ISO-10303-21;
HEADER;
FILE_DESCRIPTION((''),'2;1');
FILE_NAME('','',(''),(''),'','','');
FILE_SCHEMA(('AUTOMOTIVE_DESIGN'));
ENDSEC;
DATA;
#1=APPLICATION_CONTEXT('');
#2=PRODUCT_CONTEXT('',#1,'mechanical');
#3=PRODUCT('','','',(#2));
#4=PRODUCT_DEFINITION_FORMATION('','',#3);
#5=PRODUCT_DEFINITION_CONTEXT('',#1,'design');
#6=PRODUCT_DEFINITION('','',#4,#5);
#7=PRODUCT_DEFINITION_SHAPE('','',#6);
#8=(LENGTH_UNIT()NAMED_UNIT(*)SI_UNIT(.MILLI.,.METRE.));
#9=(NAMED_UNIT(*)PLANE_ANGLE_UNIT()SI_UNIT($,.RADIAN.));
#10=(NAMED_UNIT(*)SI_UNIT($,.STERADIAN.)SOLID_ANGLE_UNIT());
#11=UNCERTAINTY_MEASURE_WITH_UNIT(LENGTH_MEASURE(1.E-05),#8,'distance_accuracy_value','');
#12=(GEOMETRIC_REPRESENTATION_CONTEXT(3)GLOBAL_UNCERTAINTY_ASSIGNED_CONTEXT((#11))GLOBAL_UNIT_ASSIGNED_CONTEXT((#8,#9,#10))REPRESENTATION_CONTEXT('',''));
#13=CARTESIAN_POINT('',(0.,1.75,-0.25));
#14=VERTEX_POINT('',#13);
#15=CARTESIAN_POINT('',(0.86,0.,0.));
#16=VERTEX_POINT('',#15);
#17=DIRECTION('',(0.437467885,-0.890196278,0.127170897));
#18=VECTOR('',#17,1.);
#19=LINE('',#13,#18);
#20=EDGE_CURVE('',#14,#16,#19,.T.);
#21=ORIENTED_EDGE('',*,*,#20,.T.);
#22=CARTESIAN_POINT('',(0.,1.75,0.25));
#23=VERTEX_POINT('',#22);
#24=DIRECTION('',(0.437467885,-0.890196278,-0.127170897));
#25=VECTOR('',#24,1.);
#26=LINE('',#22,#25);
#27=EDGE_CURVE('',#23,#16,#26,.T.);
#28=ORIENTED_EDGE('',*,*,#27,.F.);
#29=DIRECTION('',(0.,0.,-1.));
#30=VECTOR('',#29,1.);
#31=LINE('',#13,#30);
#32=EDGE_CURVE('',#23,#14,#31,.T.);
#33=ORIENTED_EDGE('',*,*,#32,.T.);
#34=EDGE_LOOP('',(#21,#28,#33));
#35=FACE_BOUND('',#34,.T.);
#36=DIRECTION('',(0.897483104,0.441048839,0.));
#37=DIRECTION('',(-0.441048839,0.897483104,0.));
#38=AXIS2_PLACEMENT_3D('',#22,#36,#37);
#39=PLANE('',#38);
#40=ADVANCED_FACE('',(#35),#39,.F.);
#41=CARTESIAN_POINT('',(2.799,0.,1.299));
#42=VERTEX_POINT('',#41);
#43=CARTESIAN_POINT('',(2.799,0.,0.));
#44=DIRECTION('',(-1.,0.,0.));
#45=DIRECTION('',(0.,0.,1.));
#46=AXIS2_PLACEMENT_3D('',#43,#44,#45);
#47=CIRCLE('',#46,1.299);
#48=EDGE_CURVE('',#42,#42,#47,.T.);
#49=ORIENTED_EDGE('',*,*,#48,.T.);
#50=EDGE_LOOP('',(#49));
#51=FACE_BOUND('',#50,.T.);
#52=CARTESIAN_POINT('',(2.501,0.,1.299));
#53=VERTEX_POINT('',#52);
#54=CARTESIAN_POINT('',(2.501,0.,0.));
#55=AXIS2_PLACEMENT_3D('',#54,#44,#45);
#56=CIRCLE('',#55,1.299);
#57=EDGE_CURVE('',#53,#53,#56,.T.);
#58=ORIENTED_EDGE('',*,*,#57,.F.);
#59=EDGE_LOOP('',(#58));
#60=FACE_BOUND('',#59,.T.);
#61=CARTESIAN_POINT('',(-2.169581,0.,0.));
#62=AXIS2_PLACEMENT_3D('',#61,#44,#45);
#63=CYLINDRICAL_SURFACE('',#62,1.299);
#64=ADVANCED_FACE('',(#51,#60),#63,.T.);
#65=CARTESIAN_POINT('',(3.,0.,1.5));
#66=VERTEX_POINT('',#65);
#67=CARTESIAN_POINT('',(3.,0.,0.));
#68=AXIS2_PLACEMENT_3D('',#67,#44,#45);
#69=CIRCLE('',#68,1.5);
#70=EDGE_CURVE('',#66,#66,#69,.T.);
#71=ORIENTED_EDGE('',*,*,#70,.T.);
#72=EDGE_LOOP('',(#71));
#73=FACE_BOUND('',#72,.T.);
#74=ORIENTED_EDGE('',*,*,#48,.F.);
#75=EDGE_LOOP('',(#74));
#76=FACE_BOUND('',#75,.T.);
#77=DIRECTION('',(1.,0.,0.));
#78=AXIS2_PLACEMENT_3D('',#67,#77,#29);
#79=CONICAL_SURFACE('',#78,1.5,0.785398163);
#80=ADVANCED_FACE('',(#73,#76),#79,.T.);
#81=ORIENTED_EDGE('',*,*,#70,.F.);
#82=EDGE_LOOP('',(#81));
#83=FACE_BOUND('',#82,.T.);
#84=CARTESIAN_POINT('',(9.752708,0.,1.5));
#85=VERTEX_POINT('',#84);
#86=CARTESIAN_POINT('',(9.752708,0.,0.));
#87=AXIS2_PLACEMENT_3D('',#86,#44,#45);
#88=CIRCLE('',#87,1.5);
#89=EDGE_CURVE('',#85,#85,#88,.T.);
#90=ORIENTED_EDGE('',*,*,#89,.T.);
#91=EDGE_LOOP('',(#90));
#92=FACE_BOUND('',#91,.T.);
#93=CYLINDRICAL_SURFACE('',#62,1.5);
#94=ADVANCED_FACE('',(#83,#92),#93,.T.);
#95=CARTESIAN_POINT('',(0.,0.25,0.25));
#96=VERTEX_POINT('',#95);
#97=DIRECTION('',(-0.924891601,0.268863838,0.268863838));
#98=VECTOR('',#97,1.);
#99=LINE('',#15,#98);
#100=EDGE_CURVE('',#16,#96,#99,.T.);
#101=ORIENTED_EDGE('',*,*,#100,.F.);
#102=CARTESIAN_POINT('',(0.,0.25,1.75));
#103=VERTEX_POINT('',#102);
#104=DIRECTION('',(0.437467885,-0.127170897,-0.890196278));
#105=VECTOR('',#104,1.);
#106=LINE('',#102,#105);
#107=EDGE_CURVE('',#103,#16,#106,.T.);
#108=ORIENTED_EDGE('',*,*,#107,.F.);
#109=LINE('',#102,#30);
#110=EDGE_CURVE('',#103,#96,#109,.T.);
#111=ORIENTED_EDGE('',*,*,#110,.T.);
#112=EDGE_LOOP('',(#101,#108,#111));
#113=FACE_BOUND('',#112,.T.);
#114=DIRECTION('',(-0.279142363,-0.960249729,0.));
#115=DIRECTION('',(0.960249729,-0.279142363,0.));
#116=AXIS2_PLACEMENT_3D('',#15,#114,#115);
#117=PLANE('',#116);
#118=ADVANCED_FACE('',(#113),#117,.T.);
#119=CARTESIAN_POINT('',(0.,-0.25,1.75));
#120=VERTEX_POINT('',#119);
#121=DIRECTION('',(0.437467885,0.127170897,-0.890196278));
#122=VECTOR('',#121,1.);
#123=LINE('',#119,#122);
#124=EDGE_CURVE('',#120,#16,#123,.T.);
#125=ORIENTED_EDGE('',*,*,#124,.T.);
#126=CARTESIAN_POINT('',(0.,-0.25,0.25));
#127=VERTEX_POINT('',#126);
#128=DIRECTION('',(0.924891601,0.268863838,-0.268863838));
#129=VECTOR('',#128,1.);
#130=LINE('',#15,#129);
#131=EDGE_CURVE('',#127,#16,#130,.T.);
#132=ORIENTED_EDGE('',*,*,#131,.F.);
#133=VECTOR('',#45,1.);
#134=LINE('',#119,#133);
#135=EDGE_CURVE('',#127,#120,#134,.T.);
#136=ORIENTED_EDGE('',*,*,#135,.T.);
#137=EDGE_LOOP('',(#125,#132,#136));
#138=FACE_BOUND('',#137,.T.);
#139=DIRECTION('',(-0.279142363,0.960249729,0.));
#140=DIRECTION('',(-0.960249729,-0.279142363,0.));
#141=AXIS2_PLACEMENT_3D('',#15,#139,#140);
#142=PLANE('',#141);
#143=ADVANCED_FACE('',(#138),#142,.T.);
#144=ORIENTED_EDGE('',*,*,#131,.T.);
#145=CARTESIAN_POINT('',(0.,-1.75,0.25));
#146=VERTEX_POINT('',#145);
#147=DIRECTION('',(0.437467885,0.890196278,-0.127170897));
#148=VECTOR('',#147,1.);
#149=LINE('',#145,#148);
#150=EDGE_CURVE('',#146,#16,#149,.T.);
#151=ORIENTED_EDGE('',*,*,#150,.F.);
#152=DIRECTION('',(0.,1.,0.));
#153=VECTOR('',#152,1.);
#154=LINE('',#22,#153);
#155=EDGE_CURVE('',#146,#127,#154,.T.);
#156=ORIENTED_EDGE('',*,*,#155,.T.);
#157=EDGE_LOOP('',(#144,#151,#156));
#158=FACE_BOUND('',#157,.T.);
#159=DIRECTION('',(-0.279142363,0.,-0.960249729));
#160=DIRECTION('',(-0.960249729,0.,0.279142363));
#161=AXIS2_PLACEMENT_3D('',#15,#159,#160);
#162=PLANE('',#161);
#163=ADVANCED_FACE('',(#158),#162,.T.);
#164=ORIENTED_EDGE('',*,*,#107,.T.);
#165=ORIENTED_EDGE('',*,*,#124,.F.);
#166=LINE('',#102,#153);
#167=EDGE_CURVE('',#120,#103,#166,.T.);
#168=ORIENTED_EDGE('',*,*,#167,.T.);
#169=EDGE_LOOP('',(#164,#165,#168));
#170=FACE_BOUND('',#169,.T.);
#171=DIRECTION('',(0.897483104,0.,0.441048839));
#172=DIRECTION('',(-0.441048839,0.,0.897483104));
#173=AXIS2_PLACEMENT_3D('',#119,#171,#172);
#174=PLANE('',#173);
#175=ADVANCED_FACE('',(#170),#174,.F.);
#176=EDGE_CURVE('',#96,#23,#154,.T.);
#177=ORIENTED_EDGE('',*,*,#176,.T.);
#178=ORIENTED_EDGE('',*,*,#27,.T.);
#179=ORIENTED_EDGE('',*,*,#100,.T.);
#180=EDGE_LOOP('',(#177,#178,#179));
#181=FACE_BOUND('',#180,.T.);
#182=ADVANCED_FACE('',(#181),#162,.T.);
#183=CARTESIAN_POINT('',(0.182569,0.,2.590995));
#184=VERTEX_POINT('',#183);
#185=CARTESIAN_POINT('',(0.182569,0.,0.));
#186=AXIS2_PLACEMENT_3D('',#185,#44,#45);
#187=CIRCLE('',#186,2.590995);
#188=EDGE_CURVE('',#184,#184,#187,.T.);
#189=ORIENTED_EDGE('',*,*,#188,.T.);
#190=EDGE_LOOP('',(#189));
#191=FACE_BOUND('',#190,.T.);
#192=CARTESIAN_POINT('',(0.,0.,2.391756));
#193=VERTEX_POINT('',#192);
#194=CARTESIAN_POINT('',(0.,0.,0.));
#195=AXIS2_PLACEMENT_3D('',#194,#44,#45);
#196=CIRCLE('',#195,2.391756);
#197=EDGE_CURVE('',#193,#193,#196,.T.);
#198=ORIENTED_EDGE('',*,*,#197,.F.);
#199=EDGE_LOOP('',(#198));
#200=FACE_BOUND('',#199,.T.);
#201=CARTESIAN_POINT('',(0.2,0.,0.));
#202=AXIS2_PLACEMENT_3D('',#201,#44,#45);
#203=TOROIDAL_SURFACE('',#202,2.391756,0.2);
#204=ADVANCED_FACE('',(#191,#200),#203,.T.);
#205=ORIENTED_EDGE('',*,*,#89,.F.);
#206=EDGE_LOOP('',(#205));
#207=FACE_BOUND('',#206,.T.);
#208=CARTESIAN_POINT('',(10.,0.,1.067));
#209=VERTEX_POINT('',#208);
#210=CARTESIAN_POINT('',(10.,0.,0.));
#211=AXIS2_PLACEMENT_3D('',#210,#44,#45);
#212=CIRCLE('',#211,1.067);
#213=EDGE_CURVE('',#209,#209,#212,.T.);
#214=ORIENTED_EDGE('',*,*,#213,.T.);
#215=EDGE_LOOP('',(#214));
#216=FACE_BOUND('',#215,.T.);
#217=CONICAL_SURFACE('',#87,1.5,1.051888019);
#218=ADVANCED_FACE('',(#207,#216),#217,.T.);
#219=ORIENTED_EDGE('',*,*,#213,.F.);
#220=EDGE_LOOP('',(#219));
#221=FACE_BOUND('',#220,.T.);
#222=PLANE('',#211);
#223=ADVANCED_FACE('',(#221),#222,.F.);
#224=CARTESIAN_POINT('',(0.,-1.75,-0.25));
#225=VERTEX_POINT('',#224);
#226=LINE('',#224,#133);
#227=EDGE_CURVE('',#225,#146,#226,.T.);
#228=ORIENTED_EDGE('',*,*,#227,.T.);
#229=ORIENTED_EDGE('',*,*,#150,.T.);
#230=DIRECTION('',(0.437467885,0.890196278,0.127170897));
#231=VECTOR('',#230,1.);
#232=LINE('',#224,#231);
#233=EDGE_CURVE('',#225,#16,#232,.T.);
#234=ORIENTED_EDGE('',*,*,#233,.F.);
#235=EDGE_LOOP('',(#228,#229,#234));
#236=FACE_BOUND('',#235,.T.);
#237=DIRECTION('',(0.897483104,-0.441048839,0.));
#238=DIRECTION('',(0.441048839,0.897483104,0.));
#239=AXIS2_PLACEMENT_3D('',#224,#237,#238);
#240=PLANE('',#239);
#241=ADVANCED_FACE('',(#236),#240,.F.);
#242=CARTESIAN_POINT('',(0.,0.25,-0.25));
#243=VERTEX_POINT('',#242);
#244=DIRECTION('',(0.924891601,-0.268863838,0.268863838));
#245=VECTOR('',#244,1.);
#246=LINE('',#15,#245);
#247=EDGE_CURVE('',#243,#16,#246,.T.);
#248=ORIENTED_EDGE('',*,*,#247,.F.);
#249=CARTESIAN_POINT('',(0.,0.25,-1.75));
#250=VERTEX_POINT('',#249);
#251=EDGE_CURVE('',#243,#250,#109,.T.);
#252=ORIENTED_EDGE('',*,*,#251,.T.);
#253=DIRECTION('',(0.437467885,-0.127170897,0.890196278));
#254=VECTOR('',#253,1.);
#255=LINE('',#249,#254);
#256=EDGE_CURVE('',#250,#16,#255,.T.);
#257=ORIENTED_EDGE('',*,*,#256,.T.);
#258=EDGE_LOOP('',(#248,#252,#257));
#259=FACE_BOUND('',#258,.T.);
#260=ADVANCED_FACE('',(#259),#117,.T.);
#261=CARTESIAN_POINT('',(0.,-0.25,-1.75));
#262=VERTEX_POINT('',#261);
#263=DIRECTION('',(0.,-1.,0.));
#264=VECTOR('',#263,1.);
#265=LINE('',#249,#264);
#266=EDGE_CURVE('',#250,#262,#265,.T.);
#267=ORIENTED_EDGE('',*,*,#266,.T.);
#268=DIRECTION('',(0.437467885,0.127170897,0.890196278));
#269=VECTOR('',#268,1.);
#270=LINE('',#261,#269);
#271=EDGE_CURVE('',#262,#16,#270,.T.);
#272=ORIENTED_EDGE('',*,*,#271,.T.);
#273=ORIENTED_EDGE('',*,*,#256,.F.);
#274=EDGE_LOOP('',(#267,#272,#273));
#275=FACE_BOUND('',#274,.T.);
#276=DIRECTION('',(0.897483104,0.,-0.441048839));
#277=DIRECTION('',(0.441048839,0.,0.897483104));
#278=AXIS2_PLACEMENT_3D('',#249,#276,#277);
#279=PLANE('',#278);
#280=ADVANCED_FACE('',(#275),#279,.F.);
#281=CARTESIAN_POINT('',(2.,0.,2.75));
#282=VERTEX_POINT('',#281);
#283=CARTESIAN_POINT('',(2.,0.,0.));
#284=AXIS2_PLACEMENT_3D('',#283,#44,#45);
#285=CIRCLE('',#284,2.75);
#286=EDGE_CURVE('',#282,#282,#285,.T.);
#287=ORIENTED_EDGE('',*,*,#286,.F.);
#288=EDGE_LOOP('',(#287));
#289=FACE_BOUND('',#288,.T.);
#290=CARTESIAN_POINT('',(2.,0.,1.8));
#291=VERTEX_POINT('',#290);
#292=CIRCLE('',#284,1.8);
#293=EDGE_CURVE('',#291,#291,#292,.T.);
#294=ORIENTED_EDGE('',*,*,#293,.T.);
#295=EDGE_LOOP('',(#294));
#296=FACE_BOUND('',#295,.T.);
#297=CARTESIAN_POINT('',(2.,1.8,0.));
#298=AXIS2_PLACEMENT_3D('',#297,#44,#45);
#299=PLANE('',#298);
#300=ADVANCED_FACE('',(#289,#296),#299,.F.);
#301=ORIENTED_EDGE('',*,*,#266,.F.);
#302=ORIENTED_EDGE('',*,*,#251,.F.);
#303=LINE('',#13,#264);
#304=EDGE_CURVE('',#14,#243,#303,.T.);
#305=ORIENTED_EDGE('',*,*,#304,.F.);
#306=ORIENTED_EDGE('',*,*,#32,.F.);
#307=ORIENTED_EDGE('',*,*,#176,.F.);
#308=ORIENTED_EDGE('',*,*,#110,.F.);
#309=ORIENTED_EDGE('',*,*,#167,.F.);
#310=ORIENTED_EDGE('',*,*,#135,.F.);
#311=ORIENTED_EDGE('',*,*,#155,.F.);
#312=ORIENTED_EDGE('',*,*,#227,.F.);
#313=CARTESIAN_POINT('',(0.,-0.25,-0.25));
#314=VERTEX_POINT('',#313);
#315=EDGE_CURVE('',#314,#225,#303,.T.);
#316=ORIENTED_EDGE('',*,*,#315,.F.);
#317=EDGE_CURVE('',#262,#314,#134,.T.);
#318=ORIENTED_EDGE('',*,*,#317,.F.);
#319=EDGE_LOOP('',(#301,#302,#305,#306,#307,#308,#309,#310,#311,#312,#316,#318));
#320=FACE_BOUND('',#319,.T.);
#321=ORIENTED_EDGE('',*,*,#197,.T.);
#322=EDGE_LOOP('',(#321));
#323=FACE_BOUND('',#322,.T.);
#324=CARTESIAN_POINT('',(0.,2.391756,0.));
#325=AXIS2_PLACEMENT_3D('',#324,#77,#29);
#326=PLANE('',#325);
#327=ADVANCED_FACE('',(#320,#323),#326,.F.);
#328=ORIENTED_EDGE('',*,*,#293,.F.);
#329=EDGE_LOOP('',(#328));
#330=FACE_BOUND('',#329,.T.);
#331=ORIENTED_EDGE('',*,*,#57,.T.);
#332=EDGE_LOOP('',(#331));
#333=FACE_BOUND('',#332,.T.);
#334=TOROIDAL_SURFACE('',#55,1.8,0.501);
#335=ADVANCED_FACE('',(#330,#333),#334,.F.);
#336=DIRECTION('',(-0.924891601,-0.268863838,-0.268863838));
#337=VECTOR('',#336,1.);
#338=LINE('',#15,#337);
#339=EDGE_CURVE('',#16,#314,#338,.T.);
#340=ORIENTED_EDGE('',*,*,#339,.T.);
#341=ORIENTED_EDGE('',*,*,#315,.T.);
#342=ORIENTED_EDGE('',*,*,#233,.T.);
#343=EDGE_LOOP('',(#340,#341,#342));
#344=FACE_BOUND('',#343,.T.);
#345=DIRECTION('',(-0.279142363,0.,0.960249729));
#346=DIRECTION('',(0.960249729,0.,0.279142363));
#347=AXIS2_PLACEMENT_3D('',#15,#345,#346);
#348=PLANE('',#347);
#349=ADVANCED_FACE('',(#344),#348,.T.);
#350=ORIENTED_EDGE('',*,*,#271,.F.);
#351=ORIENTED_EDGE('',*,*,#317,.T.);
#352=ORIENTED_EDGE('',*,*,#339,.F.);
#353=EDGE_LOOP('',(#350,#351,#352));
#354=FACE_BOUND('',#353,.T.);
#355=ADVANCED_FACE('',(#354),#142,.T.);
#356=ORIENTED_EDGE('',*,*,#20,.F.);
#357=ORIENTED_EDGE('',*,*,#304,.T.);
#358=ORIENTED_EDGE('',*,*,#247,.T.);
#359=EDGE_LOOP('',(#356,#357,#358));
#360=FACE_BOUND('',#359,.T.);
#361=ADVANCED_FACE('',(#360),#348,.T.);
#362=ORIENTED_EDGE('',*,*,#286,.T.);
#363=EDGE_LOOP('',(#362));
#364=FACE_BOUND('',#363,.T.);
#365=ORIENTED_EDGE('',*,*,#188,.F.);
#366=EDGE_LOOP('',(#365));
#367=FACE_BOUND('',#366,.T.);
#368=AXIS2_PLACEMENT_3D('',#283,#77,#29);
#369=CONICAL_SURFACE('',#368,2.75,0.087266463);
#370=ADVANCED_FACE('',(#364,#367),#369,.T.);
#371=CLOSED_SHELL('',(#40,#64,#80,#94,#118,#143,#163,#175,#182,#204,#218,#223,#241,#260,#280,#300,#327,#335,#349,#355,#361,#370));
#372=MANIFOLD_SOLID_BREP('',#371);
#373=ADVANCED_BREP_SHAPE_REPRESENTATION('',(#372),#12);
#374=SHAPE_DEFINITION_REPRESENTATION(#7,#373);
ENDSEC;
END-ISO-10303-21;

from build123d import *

# Parameters (mm, degrees)
PATTERN_CIRCULAR_1_COUNT = 2
PATTERN_CIRCULAR_1_ANGLE = 90


with BuildPart() as part:
    # 草图3 → Revolve 850 (revolve)
    with BuildSketch(Plane.XY, mode=Mode.PRIVATE) as revolve_850_sk:
        with BuildLine():
            Line((0, 0), (10, 0))
            Line((10, 0), (10, 1.5))
            Line((10, 1.5), (3, 1.5))
            Line((3, 1.5), (2.799, 1.299))
            Line((2.799, 1.299), (2.501, 1.299))
            ThreePointArc((2.501, 1.299), (2.146739503, 1.445739503), (2, 1.8))
            Line((2, 1.8), (2, 2.75))
            Line((2, 2.75), (0.182568851, 2.590995378))
            ThreePointArc((0.182568851, 2.590995378), (0.052544533, 2.52687448), (0, 2.391756438))
            Line((0, 2.391756438), (0, 0))
        make_face()
    revolve(revolve_850_sk.sketch.rotate(Axis((-2.16958059, 0, 0), (1, 0, 0)), 90), axis=Axis((-2.16958059, 0, 0), (1, 0, 0)))

    # 草图4 → 切除-旋转1 (revolve, cut)
    with BuildSketch(Plane.XY, mode=Mode.PRIVATE) as cut_revolve_1_sk:
        Polygon((9.752708003, 1.5), (10.252708003, 1.5), (10, 1.067), align=None)
    revolve(cut_revolve_1_sk.sketch.rotate(Axis((-0.21798541, 0, 0), (1, 0, 0)), 90), axis=Axis((-0.21798541, 0, 0), (1, 0, 0)), mode=Mode.SUBTRACT)

    # 草图5 → 切除-放样1 section 0
    with BuildSketch(Plane.ZY, mode=Mode.PRIVATE) as loft_1_s0:
        with BuildLine():
            Line((-0.25, 1.75), (0.25, 1.75))
            Line((0.25, 1.75), (0.25, -1.75))
            Line((0.25, -1.75), (-0.25, -1.75))
            Line((-0.25, -1.75), (-0.25, 1.75))
        make_face()
    loft_1 = loft([loft_1_s0.sketch, Vertex(0.86, 0, 0)], mode=Mode.SUBTRACT)

    # 阵列(圆周)1: 切除-放样1 ×2 about axis
    pattern_circular_1_axis = Axis((0, 0, 0), (1, 0, 0))
    for i in range(1, PATTERN_CIRCULAR_1_COUNT):
        add(loft_1.rotate(pattern_circular_1_axis, i * PATTERN_CIRCULAR_1_ANGLE / (PATTERN_CIRCULAR_1_COUNT - 1)), mode=Mode.SUBTRACT)


solid = part.part
